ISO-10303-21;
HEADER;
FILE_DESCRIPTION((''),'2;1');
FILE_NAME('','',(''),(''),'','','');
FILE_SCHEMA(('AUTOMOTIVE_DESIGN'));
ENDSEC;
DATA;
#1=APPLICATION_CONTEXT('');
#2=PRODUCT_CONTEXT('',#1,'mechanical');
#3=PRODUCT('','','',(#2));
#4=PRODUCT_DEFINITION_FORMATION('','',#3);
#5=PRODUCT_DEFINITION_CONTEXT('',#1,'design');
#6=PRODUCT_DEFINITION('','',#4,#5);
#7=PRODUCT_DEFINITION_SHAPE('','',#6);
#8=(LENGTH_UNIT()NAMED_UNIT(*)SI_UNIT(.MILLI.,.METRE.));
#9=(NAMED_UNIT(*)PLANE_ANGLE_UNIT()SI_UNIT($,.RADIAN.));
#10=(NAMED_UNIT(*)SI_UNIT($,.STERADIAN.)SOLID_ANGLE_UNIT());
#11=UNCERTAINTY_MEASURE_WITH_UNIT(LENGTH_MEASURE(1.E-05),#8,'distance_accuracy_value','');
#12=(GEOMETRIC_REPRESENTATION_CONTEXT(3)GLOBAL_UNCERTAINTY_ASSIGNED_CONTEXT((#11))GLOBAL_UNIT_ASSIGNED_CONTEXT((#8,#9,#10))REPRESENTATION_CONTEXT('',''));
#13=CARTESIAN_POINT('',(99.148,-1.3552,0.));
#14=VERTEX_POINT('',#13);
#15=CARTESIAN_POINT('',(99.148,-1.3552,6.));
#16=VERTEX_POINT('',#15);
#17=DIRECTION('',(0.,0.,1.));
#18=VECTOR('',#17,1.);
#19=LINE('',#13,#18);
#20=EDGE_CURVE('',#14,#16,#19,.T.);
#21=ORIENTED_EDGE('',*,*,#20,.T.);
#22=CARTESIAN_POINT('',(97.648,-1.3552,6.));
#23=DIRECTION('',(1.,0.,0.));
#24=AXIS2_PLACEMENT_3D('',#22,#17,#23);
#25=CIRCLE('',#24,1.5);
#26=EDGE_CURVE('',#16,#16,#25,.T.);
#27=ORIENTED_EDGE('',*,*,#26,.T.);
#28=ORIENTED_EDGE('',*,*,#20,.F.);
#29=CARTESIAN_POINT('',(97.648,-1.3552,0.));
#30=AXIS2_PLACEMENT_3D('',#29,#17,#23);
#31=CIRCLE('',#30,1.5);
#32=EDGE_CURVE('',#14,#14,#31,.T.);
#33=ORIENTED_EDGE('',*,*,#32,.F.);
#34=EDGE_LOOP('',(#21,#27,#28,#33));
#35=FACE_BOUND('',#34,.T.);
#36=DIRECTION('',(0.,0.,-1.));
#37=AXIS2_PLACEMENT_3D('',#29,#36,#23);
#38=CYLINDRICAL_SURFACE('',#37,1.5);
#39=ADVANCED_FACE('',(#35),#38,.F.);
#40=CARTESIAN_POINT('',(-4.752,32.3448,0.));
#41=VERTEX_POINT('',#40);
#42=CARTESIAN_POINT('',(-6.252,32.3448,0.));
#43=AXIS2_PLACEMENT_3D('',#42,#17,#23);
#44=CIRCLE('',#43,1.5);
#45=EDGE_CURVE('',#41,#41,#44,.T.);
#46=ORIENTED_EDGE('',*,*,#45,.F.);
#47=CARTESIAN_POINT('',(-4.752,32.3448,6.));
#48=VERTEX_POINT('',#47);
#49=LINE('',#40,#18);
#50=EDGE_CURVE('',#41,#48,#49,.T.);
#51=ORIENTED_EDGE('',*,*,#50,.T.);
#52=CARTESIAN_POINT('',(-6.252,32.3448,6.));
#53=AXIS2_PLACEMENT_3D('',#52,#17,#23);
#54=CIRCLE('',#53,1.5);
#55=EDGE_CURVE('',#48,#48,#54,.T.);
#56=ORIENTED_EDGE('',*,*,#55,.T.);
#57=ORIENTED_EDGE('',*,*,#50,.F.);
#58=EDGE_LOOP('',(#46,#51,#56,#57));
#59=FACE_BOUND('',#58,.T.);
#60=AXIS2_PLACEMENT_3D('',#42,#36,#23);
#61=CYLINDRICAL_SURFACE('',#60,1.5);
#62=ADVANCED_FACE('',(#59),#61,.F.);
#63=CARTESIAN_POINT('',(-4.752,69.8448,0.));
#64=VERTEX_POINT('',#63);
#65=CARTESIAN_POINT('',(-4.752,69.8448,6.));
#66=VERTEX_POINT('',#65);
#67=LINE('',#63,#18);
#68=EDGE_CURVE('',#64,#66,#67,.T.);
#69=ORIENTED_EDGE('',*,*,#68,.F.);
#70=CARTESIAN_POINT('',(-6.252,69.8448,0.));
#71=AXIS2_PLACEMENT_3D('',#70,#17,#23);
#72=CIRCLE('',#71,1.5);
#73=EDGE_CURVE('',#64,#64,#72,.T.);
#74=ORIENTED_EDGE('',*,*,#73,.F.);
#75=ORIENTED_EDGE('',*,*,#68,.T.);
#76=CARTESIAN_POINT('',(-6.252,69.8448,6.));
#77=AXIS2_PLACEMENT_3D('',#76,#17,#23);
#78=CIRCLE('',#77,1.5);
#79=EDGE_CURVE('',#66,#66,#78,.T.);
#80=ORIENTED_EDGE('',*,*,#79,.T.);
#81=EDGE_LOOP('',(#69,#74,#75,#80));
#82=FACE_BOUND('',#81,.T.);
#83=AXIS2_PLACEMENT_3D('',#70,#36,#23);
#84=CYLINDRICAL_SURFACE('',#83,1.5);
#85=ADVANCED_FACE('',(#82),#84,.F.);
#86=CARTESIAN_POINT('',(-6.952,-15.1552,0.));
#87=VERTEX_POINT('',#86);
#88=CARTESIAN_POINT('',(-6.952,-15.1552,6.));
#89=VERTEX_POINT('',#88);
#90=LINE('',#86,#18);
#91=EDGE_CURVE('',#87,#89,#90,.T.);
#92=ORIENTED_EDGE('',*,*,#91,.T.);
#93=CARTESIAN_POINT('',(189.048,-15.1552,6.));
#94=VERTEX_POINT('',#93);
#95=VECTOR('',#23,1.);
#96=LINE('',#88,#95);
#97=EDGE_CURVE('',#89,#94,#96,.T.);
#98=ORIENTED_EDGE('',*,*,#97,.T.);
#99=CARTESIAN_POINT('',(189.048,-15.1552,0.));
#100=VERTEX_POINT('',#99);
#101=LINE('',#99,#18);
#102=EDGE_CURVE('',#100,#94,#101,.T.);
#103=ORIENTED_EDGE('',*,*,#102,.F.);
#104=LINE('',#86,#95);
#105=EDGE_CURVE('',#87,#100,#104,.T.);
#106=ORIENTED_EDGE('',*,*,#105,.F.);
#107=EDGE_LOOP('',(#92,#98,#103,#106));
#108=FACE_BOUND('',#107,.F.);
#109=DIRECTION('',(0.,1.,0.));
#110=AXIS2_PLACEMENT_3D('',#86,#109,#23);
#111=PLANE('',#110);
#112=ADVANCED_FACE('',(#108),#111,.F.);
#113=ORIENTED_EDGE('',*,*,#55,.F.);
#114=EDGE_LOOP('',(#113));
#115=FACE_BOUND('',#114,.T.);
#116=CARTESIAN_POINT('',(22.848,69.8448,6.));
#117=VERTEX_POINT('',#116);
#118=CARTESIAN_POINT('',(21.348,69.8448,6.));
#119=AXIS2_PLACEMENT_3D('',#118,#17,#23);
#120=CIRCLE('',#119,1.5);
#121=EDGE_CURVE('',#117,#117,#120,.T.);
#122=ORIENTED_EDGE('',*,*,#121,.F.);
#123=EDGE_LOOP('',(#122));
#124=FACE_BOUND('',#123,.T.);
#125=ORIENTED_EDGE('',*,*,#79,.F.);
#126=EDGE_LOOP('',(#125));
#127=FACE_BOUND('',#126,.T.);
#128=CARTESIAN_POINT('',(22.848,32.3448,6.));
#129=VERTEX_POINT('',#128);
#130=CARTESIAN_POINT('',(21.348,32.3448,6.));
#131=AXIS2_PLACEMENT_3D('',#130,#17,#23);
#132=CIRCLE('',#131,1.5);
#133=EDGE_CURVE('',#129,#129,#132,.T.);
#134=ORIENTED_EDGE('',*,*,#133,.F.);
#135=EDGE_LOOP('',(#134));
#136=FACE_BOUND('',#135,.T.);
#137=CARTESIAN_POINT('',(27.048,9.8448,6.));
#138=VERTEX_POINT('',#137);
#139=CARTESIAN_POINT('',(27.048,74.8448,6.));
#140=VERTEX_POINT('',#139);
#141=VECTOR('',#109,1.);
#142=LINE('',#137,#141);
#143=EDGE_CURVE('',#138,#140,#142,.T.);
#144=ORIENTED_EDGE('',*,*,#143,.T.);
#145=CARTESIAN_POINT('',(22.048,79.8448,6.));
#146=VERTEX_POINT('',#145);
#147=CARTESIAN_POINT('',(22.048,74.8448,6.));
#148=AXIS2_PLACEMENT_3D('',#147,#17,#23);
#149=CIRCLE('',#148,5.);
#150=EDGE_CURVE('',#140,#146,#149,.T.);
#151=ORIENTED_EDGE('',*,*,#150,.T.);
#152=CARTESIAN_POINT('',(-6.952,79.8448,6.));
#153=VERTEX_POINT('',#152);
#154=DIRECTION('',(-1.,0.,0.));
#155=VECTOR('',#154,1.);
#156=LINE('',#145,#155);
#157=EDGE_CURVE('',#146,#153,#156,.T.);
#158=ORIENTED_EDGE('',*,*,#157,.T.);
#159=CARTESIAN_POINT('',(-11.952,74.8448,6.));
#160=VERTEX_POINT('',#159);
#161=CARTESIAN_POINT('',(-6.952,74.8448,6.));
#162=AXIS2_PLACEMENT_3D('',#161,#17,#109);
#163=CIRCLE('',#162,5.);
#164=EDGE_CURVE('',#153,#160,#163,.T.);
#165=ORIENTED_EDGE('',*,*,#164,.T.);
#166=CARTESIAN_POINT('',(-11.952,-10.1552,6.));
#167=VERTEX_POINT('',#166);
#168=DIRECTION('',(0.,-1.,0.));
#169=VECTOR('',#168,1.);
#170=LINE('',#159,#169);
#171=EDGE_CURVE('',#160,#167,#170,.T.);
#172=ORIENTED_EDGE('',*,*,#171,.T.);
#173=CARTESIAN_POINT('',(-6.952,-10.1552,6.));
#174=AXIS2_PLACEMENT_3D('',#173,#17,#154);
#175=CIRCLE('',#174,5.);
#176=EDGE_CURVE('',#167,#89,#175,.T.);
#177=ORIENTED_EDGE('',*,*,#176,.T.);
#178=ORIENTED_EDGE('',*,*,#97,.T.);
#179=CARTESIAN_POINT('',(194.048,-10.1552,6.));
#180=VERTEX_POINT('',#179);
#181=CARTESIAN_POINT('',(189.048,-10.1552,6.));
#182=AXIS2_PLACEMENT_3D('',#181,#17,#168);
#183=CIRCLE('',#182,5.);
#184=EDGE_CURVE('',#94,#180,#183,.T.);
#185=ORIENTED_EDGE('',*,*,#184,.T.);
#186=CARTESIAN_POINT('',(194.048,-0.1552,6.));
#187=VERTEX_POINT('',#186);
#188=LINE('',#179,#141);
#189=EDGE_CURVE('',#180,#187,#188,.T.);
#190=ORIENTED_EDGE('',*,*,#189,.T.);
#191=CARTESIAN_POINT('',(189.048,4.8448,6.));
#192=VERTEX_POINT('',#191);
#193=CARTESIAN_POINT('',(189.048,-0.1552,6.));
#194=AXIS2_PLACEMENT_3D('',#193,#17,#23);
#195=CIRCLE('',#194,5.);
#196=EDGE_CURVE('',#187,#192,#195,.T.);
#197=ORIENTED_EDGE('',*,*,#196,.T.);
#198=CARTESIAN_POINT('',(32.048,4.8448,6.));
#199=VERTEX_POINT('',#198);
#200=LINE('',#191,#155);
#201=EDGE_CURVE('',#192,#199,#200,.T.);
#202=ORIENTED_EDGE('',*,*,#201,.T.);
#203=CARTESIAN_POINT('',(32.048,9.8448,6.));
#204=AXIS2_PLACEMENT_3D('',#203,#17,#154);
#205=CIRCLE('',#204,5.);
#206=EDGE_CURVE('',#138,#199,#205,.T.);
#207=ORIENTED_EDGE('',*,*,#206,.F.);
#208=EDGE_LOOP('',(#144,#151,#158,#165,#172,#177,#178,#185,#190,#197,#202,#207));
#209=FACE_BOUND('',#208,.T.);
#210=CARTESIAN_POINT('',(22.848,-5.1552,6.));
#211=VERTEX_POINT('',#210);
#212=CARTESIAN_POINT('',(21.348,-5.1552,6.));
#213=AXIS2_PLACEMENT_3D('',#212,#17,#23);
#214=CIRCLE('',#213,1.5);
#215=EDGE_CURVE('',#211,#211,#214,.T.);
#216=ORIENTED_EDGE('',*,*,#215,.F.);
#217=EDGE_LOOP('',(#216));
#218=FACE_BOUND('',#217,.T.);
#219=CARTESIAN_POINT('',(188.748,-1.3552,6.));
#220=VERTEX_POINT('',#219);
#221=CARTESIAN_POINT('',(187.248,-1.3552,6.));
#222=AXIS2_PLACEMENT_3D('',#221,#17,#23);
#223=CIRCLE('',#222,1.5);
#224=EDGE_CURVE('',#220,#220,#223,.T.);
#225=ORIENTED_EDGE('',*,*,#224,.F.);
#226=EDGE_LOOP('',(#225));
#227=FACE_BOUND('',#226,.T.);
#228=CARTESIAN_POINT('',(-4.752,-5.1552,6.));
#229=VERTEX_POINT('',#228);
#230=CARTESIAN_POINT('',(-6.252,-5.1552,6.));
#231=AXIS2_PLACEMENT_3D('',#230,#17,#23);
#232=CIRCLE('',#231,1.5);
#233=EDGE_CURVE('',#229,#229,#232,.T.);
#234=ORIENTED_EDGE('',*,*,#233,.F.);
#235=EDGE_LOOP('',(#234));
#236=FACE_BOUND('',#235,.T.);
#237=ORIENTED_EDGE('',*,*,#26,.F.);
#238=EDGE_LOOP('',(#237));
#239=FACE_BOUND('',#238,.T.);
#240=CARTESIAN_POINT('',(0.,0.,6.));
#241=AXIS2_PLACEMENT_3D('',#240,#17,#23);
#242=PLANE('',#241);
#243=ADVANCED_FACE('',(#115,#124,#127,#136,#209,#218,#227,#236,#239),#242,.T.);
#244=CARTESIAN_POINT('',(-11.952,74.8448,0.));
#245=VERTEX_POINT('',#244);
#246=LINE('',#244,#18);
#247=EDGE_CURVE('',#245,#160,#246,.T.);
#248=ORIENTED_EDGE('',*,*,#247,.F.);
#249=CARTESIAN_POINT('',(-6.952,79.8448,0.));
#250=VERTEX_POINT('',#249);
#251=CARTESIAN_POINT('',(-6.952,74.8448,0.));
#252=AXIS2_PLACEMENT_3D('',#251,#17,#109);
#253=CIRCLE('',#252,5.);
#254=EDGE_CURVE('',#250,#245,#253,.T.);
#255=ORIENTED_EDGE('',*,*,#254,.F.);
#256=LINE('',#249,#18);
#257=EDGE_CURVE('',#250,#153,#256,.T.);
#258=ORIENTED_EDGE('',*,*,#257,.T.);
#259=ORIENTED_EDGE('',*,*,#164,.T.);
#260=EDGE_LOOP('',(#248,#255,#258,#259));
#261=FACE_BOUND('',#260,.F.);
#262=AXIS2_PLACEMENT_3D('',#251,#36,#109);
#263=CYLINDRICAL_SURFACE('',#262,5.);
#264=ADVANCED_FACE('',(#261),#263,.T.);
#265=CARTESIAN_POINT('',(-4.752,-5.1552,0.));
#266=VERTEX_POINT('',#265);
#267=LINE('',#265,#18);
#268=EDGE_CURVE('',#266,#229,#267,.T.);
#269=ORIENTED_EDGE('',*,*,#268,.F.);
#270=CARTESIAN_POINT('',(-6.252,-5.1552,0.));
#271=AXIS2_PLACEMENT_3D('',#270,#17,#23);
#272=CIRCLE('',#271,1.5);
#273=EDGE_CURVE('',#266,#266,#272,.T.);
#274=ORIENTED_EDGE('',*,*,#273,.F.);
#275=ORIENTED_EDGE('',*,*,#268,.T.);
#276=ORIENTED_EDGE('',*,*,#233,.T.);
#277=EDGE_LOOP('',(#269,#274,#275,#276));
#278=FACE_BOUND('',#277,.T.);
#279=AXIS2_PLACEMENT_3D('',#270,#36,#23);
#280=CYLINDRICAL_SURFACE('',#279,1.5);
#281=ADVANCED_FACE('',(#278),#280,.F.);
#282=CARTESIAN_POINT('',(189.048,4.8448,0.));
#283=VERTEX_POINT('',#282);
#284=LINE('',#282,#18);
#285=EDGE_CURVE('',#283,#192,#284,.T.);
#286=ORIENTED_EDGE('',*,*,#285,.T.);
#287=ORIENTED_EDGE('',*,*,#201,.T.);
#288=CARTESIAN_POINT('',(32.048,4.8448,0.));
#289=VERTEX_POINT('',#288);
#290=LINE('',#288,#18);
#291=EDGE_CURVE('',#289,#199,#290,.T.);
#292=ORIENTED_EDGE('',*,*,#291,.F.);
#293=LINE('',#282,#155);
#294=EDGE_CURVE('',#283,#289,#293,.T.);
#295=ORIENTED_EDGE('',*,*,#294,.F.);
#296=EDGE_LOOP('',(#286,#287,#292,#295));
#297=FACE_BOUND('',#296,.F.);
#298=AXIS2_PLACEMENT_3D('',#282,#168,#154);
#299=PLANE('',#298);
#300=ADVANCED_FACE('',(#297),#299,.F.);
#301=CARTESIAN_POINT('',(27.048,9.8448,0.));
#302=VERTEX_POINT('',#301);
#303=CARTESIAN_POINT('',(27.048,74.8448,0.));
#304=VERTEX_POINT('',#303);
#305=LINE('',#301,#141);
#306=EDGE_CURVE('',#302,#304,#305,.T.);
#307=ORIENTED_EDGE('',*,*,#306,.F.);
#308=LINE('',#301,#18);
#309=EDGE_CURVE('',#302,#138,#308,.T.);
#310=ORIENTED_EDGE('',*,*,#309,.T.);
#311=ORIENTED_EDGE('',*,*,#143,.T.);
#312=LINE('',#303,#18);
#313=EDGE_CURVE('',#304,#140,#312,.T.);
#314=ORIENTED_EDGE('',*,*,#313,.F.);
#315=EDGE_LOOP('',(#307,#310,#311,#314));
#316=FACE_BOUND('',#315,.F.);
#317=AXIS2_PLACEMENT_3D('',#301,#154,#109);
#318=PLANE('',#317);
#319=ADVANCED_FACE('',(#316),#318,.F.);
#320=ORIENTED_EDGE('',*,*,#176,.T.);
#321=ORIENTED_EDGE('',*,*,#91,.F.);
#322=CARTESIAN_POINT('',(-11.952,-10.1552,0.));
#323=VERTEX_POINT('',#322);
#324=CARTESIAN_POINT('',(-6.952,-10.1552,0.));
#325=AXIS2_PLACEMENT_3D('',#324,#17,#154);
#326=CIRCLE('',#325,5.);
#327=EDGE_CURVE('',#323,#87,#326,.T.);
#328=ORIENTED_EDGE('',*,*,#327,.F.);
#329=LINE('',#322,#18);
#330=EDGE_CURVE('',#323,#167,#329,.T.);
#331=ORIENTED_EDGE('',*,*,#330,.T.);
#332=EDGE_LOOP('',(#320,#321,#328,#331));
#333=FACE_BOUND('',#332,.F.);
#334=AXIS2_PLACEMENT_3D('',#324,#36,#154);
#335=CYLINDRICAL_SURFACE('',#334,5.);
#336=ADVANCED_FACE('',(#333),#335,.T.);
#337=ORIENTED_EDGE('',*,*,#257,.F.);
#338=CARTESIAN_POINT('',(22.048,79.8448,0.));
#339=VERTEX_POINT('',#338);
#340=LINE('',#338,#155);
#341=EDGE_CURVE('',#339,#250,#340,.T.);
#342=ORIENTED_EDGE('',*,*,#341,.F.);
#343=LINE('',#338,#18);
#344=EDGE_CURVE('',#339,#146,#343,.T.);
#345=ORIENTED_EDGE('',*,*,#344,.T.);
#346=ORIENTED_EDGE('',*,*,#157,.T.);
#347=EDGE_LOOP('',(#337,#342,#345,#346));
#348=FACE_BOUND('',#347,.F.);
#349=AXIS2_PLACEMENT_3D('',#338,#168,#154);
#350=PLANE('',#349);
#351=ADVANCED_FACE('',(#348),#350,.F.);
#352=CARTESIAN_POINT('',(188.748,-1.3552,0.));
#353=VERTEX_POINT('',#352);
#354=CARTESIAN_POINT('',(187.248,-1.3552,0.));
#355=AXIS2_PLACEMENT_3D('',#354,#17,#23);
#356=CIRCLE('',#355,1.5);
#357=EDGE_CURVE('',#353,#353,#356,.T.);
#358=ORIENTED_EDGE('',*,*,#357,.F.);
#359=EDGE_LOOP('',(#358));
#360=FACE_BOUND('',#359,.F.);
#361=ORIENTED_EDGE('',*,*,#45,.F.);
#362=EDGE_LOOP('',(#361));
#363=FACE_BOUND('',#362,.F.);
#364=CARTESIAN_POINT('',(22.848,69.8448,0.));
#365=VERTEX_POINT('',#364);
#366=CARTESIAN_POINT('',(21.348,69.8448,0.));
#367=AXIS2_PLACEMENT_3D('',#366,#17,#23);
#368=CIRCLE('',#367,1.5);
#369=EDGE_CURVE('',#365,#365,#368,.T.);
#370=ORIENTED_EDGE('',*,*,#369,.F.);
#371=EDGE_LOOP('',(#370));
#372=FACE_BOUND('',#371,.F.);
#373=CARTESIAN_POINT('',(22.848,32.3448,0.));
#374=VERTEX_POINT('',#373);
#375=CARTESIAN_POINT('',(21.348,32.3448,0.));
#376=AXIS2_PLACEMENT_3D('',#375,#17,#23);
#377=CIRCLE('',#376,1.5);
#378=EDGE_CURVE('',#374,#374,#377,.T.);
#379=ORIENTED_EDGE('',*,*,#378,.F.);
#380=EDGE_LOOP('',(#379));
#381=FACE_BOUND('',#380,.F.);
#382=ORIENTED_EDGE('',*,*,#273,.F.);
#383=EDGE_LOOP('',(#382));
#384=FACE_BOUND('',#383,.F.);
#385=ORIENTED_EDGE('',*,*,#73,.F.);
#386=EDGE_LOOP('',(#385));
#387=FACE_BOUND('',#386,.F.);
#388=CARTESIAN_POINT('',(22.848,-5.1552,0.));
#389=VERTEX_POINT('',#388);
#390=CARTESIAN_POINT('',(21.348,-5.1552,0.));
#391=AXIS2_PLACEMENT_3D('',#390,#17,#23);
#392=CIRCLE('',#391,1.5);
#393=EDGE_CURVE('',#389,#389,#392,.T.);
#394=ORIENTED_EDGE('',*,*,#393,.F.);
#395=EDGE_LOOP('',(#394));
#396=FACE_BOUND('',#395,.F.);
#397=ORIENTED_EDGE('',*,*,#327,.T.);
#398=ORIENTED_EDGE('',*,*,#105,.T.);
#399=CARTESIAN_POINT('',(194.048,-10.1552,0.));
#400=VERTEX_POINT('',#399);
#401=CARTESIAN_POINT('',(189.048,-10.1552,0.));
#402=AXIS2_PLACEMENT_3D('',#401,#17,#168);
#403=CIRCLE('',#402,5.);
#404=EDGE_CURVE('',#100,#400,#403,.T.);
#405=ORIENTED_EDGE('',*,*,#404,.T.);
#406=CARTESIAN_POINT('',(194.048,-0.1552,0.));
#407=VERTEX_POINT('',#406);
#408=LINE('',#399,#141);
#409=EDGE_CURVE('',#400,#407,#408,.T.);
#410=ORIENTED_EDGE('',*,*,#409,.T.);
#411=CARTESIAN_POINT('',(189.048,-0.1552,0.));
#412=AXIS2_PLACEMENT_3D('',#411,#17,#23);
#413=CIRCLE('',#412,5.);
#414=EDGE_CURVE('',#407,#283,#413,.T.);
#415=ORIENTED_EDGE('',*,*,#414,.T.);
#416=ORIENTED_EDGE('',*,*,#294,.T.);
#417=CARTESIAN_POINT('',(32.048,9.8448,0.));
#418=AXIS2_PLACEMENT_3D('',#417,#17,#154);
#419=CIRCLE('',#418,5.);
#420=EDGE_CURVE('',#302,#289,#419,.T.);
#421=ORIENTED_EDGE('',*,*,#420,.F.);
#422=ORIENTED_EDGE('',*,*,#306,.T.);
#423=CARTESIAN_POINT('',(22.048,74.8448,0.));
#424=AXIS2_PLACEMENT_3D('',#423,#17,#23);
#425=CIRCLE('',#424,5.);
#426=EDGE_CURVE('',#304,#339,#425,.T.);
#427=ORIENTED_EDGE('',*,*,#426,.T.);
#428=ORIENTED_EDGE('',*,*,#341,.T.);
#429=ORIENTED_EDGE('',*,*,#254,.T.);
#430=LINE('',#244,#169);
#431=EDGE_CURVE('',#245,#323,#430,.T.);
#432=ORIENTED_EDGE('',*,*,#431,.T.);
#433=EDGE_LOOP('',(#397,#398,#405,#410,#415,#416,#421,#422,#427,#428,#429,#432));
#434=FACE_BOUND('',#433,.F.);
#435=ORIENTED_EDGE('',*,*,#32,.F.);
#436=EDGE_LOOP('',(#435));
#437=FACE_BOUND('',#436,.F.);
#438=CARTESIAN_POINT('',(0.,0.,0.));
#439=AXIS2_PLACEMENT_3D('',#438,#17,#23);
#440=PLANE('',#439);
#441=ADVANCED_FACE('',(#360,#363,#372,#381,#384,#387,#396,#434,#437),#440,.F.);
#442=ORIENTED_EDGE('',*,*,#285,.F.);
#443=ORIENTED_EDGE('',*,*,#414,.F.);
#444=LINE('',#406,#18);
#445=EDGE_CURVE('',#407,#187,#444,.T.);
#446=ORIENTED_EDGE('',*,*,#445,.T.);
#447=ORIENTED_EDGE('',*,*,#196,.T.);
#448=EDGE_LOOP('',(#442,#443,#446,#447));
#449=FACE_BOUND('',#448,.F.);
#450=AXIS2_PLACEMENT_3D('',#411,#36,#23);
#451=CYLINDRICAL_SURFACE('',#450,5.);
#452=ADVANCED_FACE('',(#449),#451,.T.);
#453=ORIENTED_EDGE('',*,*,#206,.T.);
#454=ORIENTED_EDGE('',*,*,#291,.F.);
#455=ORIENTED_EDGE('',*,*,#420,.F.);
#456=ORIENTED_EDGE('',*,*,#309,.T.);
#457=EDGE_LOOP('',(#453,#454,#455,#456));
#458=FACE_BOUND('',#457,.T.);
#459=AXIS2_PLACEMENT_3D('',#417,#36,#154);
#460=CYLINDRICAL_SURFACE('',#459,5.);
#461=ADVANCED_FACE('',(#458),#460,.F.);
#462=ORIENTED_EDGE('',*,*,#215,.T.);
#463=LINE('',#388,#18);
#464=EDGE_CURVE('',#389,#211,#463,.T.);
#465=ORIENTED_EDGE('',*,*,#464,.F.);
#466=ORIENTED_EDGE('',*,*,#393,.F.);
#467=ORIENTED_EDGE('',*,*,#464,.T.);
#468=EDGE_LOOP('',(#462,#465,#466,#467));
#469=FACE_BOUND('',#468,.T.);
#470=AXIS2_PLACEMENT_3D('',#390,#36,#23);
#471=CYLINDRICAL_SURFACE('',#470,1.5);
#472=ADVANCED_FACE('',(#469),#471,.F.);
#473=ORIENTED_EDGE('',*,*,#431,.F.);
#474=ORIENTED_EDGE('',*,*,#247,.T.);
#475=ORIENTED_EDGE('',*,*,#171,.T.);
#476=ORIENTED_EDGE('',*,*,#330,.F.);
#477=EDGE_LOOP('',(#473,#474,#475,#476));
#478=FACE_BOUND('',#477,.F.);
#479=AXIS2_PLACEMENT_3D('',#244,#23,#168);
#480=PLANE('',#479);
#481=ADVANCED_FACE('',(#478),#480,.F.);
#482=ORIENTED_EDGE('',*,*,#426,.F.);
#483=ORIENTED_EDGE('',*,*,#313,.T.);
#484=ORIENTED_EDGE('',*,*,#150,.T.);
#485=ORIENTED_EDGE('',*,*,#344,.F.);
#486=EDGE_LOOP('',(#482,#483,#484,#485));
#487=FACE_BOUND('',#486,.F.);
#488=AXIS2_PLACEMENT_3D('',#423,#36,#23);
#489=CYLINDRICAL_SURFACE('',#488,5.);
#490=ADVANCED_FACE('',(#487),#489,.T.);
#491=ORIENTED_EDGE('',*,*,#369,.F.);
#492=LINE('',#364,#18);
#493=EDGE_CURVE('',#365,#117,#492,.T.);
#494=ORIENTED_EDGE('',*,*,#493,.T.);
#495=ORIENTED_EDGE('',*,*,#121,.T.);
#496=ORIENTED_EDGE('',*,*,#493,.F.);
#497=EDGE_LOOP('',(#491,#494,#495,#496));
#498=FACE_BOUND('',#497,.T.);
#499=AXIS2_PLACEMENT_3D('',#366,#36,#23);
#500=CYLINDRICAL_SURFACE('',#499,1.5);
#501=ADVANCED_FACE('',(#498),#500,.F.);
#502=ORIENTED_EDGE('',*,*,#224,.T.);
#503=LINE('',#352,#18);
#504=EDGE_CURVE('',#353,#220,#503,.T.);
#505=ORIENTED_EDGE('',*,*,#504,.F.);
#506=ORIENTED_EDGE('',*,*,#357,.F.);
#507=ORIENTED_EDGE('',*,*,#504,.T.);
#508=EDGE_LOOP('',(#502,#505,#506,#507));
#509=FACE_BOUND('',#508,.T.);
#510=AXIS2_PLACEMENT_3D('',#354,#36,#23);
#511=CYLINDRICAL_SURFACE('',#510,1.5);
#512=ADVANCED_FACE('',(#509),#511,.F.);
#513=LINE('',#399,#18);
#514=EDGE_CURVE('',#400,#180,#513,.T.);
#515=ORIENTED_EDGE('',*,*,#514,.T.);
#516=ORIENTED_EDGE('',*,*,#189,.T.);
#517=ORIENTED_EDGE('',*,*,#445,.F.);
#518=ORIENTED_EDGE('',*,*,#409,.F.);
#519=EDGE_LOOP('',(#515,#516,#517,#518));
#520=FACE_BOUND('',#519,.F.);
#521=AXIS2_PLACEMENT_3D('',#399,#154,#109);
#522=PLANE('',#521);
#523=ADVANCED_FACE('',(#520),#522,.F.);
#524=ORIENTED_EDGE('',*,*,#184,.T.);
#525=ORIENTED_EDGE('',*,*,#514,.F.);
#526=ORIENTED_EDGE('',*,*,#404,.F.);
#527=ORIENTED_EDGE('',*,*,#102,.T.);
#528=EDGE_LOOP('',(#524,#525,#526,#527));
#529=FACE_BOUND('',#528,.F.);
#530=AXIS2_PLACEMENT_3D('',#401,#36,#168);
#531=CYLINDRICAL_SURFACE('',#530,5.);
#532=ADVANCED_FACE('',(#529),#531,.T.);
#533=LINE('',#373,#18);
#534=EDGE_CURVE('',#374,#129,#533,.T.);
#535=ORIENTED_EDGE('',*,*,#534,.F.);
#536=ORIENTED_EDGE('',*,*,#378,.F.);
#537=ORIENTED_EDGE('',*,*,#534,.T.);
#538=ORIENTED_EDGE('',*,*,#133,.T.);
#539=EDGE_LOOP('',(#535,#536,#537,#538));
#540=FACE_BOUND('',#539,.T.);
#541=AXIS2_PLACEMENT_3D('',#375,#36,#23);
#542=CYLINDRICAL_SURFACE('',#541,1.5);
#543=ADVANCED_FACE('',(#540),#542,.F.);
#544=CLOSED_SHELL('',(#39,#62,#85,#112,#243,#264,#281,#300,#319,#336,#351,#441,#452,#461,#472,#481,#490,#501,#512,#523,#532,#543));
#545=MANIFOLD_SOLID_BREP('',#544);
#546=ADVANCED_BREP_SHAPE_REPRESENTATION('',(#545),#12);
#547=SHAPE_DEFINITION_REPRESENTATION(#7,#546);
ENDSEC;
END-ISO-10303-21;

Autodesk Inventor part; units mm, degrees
ref_plane "YZ Plane" through (0, 0, 0) normal (1, 0, 0) x (0, 1, 0)
ref_plane "XZ Plane" through (0, 0, 0) normal (0, 1, 0) x (-1, 0, 0)
ref_plane "XY Plane" through (0, 0, 0) normal (0, 0, 1) x (1, 0, 0)
sketch "Sketch1" plane through (0, 0, 0) normal (0, 0, 1) x (1, 0, 0)
  arc A0 (194.048, -0.1552) -> (189.048, 4.8448) centre (189.048, -0.1552) ccw
  line L0 (189.048, 4.8448) -> (32.048, 4.8448)
  arc A1 (27.048, 9.8448) -> (32.048, 4.8448) centre (32.048, 9.8448) ccw
  line L1 (27.048, 9.8448) -> (27.048, 74.8448)
  arc A2 (27.048, 74.8448) -> (22.048, 79.8448) centre (22.048, 74.8448) ccw
  line L2 (22.048, 79.8448) -> (-6.952, 79.8448)
  arc A3 (-6.952, 79.8448) -> (-11.952, 74.8448) centre (-6.952, 74.8448) ccw
  line L3 (-11.952, 74.8448) -> (-11.952, -10.1552)
  arc A4 (-11.952, -10.1552) -> (-6.952, -15.1552) centre (-6.952, -10.1552) ccw
  line L4 (-6.952, -15.1552) -> (189.048, -15.1552)
  arc A5 (189.048, -15.1552) -> (194.048, -10.1552) centre (189.048, -10.1552) ccw
  line L5 (194.048, -10.1552) -> (194.048, -0.1552)
  circle A6 centre (-6.252, 32.3448) radius 1.5
  circle A7 centre (21.348, 32.3448) radius 1.5
  circle A8 centre (-6.252, -5.1552) radius 1.5
  circle A9 centre (21.348, -5.1552) radius 1.5
  circle A10 centre (187.248, -1.3552) radius 1.5
  circle A11 centre (97.648, -1.3552) radius 1.5
  circle A12 centre (-6.252, 69.8448) radius 1.5
  circle A13 centre (21.348, 69.8448) radius 1.5
  point P0 (0, 0)
  point P1 (0, 0)
extrude "Extrusion1" add sketch "Sketch1" along normal blind 6
properties part number "zCar_c"
